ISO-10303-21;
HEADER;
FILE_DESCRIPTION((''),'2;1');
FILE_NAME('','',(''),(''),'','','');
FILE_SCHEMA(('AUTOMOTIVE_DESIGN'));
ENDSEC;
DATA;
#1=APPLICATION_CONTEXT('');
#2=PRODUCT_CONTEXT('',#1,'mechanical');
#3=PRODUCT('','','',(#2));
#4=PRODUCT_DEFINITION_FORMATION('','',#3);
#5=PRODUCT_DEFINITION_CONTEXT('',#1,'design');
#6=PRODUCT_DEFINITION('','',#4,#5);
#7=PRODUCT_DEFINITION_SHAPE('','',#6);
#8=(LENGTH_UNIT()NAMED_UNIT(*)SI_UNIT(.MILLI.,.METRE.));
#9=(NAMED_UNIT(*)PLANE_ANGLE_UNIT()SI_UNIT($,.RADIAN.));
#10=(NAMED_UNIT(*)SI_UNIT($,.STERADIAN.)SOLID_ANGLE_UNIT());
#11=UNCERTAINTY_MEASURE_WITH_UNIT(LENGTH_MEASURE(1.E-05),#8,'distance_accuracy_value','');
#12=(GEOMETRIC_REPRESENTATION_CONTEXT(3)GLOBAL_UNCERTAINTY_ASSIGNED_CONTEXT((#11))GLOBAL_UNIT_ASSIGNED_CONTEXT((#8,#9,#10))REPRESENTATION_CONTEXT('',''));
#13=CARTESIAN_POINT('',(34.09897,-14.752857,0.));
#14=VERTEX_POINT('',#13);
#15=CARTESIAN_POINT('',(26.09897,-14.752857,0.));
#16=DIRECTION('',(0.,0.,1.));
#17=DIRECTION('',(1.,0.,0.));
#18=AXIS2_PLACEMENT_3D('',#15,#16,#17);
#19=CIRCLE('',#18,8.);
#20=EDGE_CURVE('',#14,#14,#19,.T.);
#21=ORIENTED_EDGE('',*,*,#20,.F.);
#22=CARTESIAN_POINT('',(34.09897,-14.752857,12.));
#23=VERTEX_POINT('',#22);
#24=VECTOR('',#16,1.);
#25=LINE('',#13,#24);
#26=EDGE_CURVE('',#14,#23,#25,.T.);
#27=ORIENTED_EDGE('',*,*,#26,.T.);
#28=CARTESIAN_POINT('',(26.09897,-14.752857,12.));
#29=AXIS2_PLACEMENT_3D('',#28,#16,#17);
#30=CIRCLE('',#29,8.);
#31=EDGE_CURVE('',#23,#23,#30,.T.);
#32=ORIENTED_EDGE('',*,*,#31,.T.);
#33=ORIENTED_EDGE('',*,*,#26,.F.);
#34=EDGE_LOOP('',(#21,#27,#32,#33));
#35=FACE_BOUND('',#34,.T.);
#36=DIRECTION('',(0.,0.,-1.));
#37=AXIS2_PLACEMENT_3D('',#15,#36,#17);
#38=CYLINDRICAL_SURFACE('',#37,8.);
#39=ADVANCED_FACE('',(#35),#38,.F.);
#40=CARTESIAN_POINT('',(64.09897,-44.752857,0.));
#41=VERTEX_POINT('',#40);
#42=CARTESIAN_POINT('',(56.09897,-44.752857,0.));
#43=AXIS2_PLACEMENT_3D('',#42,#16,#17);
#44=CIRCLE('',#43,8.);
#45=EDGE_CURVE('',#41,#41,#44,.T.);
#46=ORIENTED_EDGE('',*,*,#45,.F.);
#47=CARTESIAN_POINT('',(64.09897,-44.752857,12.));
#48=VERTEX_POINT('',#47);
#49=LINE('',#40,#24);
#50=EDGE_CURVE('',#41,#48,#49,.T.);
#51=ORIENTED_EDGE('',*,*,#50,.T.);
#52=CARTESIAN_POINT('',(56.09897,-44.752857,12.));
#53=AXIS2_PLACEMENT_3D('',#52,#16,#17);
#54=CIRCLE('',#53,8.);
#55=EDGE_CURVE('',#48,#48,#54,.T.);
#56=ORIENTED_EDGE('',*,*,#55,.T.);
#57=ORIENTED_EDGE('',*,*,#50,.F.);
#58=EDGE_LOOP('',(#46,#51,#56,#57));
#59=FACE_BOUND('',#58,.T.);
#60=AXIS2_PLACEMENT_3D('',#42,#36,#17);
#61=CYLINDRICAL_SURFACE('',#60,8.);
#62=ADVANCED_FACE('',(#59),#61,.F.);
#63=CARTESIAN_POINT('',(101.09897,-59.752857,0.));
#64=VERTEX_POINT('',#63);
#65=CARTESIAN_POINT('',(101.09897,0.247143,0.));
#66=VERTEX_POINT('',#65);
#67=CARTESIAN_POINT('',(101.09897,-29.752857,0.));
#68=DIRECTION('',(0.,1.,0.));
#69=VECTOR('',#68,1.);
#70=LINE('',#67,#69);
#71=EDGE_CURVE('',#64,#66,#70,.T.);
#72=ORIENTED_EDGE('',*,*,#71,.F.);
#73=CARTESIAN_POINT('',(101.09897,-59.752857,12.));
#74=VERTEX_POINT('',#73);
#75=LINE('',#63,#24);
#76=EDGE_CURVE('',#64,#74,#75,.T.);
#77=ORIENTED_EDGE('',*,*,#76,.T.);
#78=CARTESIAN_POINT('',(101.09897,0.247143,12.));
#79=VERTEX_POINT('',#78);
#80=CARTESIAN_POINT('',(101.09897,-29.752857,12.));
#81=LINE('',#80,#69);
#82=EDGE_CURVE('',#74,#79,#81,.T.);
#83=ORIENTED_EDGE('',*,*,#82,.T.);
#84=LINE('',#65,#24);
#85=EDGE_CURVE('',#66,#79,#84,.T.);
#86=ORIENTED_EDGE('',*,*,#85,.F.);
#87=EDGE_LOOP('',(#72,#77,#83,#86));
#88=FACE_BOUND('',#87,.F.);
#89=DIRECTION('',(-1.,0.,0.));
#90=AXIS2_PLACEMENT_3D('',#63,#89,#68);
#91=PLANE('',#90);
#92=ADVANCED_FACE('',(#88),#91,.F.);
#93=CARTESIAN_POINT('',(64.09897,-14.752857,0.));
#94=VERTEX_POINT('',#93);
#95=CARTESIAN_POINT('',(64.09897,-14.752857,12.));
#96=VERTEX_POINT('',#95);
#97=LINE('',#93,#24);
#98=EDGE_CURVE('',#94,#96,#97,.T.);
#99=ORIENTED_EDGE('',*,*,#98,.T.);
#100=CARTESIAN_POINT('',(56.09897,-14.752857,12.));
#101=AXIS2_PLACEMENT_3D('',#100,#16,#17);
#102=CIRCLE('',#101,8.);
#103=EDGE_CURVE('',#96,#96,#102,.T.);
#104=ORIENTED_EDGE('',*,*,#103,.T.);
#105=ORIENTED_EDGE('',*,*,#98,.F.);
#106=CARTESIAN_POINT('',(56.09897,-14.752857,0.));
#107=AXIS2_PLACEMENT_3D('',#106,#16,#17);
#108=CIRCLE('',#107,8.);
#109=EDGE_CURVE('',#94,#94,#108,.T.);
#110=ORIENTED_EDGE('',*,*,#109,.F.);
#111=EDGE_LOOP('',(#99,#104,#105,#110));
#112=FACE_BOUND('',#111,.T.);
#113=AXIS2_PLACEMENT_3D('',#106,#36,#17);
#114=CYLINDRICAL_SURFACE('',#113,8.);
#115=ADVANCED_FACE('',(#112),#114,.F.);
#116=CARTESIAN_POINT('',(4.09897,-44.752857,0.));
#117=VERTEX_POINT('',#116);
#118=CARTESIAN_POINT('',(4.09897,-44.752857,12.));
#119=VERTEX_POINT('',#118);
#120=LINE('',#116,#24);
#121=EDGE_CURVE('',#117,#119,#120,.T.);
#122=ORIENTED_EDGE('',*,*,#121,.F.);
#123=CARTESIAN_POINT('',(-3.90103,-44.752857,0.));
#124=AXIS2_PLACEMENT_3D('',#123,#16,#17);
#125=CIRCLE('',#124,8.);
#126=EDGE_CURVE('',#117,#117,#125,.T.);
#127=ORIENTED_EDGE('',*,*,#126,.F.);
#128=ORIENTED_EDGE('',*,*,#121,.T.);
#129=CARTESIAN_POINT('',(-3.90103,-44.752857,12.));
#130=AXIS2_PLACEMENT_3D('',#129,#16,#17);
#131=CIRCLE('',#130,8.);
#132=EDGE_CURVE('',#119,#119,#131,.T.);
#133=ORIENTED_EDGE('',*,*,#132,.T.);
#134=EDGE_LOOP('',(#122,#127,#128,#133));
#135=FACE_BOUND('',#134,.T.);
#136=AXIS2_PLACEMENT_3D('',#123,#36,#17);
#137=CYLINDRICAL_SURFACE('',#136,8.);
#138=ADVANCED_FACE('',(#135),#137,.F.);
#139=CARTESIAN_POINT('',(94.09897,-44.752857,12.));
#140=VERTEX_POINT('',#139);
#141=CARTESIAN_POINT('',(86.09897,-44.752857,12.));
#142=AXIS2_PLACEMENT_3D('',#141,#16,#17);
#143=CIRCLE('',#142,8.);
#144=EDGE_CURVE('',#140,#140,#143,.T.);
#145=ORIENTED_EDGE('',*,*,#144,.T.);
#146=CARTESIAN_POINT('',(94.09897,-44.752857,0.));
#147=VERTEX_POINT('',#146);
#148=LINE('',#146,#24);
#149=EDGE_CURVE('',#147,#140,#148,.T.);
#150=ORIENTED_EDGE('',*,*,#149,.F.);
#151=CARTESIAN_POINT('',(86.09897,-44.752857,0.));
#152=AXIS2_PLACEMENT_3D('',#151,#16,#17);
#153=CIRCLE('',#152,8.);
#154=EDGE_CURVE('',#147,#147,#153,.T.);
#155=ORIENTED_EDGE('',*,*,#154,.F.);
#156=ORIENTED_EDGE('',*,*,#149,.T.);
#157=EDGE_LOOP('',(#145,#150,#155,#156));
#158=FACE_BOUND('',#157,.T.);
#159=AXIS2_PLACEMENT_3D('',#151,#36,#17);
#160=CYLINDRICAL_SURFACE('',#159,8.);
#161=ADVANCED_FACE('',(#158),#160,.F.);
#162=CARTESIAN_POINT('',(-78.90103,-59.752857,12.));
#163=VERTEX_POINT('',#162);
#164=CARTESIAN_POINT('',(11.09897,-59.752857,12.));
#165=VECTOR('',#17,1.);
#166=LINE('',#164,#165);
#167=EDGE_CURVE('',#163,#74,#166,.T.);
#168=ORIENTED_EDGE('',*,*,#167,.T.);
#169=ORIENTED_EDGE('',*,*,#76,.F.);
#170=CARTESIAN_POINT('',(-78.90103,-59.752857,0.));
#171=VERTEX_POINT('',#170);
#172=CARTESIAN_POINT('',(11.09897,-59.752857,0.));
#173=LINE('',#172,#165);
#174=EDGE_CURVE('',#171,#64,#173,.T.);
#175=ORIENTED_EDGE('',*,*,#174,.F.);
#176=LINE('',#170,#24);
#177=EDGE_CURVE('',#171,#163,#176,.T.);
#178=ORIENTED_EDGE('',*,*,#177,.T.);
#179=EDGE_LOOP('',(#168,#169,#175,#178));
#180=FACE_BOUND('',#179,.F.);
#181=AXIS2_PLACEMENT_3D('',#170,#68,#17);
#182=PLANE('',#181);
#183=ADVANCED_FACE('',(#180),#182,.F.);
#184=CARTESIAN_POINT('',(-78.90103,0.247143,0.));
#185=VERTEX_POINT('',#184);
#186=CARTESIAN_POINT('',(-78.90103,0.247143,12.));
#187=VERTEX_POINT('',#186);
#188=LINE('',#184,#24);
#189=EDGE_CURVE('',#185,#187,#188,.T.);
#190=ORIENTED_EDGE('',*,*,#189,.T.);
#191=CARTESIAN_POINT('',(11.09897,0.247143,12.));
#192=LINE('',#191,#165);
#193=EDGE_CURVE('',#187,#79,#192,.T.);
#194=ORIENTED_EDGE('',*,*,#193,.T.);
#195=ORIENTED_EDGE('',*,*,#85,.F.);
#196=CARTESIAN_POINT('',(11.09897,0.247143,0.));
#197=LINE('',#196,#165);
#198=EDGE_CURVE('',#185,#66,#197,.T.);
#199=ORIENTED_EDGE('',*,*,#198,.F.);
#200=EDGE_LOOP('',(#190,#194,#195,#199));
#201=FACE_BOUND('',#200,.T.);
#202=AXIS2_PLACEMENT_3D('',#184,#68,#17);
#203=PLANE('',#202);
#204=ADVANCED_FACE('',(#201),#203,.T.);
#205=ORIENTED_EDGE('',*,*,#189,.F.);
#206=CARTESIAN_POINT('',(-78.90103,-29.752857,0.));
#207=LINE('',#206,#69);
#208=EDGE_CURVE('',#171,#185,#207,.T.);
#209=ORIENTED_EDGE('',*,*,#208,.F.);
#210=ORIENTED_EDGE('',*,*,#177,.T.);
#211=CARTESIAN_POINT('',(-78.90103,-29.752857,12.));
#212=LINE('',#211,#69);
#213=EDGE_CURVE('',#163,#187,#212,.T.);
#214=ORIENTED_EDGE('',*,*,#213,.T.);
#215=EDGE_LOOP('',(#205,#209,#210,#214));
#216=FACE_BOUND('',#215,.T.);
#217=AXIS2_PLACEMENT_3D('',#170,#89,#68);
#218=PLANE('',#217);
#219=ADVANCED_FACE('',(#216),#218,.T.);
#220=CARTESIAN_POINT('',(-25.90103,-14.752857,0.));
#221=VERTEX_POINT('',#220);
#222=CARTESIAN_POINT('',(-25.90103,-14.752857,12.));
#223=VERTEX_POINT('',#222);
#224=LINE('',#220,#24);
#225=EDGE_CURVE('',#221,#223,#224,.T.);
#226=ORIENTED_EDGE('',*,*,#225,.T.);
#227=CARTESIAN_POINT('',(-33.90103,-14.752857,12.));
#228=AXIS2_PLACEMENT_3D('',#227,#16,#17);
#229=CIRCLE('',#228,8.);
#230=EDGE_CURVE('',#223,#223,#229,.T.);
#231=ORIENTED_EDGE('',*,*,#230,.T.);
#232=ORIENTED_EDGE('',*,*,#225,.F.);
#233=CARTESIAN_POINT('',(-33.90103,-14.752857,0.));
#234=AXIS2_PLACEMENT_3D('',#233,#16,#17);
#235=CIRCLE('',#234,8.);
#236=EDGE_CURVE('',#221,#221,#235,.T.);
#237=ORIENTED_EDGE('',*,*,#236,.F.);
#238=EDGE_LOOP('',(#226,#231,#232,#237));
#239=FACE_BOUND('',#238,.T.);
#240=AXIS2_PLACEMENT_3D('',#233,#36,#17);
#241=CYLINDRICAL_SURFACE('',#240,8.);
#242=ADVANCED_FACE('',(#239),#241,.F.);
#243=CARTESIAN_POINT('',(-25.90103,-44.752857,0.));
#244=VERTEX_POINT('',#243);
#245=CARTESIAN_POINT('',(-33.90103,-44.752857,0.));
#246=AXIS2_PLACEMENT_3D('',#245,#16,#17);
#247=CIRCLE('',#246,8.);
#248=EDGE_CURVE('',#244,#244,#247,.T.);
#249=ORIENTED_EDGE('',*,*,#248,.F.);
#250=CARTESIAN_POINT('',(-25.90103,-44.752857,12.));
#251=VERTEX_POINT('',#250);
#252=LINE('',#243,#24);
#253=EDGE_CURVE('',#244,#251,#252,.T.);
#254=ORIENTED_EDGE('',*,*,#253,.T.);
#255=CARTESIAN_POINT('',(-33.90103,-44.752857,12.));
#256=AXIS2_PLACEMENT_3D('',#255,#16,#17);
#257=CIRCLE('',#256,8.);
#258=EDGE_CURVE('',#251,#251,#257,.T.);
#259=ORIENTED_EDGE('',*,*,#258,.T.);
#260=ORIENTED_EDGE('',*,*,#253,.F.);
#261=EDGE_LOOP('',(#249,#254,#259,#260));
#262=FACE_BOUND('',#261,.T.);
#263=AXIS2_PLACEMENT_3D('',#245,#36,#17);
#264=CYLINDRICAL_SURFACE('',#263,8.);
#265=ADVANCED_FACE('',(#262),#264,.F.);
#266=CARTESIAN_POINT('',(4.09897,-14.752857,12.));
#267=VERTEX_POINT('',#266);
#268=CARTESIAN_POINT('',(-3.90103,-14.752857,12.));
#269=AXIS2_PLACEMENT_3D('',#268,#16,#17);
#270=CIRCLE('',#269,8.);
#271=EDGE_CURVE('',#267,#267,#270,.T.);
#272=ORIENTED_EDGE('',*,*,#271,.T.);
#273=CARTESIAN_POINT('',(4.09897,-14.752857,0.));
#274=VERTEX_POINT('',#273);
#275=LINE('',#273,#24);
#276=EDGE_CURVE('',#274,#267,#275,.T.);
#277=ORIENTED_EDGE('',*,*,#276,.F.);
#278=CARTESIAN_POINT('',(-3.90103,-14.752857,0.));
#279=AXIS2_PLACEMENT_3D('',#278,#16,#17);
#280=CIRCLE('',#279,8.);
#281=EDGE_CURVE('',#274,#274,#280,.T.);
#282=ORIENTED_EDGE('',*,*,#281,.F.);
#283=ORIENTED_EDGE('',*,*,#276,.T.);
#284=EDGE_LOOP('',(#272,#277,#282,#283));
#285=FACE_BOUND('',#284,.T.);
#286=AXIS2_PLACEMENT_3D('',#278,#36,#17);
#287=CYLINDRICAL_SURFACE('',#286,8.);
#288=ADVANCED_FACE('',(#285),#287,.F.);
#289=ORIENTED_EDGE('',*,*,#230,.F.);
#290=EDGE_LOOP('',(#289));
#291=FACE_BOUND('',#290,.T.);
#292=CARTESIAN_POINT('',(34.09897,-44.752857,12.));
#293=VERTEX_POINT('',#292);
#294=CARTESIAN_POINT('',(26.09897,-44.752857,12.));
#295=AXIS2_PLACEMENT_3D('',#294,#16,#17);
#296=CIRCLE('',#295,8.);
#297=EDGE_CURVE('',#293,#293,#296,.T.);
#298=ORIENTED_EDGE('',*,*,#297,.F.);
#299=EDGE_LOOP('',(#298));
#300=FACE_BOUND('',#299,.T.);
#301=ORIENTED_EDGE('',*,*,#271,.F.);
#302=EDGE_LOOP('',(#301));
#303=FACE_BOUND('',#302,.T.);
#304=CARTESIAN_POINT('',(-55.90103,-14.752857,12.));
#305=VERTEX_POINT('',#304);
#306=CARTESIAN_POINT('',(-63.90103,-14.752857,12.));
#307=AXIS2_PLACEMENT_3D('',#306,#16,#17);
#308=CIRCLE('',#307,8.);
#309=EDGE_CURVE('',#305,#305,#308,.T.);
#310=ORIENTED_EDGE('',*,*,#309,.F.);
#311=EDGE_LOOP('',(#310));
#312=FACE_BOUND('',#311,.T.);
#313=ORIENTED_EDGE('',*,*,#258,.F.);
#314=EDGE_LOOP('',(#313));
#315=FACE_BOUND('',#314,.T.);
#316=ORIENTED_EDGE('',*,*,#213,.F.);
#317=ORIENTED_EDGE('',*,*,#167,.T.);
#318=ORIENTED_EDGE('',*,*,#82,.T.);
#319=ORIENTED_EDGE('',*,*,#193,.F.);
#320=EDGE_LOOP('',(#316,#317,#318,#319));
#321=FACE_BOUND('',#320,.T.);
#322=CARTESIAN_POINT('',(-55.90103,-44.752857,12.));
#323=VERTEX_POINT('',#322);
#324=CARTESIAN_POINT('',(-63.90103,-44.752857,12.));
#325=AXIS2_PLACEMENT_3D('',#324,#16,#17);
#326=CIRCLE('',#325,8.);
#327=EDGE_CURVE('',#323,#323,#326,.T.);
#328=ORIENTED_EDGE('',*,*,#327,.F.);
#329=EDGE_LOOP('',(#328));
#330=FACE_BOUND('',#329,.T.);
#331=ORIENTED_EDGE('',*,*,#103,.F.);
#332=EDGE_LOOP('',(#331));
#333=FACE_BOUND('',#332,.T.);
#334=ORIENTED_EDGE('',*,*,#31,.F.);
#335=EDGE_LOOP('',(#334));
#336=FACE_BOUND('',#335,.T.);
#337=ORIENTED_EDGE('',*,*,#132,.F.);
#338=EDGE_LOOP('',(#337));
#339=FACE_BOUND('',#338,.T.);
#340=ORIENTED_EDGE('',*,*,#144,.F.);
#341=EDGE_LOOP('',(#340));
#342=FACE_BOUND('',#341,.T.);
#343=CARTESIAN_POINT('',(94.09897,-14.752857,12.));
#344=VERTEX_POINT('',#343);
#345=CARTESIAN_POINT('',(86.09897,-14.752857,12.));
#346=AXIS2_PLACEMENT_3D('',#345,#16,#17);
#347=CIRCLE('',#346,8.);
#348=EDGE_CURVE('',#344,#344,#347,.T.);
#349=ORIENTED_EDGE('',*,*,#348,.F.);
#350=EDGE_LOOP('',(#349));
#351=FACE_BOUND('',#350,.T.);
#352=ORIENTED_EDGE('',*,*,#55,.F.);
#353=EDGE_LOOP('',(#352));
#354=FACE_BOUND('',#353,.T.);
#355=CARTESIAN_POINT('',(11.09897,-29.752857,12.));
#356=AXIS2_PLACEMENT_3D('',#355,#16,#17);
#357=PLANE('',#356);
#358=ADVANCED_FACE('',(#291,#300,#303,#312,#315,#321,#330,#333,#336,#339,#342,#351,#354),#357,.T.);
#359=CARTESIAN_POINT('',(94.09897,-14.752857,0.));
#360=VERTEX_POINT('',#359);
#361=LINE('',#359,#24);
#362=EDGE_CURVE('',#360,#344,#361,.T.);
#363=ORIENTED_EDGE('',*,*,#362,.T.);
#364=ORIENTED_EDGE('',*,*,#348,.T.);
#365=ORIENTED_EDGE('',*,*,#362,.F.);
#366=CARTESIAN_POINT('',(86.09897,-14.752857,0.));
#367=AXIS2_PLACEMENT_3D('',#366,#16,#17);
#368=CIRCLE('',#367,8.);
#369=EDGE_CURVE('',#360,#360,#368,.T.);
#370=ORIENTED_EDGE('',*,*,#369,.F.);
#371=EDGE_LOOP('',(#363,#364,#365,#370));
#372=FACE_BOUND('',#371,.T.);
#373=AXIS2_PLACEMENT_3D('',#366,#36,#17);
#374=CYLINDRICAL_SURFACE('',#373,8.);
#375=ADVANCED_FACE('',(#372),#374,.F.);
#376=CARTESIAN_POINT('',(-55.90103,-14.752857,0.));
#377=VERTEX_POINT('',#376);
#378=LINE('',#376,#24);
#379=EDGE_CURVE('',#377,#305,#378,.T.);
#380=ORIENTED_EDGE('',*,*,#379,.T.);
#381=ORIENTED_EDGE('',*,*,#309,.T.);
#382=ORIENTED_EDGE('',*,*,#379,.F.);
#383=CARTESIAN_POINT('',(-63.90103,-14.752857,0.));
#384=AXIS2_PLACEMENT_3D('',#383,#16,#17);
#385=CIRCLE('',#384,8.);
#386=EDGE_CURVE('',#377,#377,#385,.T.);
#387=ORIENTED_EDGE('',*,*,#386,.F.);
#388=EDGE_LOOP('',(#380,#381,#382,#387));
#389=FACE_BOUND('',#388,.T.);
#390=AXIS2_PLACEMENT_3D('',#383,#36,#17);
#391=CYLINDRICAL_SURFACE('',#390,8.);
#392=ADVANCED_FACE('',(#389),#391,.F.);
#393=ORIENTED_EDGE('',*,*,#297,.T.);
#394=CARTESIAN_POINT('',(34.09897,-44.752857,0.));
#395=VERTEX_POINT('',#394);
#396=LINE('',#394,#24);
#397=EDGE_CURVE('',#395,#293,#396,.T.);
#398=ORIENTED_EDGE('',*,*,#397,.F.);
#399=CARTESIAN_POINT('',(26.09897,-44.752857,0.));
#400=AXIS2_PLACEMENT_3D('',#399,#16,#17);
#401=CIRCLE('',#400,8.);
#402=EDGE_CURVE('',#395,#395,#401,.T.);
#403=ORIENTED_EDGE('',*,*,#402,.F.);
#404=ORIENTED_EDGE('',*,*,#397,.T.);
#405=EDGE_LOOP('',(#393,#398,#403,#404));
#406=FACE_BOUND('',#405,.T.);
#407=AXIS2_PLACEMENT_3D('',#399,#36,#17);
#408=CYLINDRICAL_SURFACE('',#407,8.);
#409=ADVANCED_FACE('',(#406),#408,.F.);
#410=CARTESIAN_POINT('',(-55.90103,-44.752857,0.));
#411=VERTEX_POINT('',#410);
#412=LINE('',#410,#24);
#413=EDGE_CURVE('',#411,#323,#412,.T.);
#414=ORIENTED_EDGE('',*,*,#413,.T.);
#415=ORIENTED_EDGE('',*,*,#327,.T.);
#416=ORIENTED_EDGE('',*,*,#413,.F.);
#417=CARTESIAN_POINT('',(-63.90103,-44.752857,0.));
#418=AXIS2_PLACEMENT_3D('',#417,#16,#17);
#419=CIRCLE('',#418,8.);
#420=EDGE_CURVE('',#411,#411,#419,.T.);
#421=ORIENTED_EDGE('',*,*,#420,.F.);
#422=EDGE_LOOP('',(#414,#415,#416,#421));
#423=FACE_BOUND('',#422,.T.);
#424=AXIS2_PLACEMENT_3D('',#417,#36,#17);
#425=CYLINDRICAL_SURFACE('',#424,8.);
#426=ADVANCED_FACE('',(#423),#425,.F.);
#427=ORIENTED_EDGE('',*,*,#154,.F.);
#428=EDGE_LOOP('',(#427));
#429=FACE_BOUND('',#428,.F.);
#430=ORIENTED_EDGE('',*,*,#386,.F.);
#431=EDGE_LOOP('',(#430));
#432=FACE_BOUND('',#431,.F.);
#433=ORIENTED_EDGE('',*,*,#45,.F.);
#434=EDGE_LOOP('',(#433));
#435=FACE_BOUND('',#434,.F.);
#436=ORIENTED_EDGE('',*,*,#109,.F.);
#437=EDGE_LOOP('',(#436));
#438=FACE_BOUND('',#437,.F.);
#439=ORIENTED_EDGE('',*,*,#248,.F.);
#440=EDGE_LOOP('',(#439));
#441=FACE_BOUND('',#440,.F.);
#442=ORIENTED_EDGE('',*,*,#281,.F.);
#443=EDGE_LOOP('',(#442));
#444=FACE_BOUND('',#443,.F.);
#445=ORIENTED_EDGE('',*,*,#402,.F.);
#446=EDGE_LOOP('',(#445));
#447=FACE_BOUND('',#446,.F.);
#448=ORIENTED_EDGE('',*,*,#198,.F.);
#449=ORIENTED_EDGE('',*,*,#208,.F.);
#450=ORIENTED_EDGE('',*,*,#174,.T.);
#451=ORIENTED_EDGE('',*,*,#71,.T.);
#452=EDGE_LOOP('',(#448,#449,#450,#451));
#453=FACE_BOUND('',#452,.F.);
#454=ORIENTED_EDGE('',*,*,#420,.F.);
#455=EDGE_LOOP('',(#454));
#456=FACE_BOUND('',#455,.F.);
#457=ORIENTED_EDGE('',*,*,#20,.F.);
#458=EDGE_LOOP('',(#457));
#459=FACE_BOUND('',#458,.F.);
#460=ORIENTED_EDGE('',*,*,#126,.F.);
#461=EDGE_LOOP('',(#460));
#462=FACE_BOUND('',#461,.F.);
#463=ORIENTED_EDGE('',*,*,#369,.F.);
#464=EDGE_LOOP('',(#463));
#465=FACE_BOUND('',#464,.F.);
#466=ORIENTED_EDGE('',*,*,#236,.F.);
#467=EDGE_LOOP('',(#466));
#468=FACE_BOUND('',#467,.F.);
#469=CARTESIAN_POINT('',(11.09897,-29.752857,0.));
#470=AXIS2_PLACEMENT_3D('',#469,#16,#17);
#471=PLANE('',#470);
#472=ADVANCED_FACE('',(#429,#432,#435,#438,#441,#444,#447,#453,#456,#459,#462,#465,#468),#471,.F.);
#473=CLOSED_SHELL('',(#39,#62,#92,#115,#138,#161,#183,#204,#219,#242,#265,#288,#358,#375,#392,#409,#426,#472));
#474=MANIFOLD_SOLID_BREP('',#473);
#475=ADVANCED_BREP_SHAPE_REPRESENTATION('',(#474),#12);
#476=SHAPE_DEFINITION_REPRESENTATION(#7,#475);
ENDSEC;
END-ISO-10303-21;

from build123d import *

# Parameters (mm, degrees)
F0_W     = 180
F0_H     = 60
F0_R     = 8
F1_DEPTH = 12


with BuildPart() as f1:
    # F0 (on Top) → F1 (new body)
    with BuildSketch(Plane.XY):
        with Locations((11.09897, -29.752857)):
            Rectangle(F0_W, F0_H)
        with Locations((-63.90103, -44.752857)):
            Circle(F0_R, mode=Mode.SUBTRACT)
        with Locations((-33.90103, -44.752857)):
            Circle(F0_R, mode=Mode.SUBTRACT)
        with Locations((-3.90103, -44.752857)):
            Circle(F0_R, mode=Mode.SUBTRACT)
        with Locations((26.09897, -44.752857)):
            Circle(F0_R, mode=Mode.SUBTRACT)
        with Locations((56.09897, -44.752857)):
            Circle(F0_R, mode=Mode.SUBTRACT)
        with Locations((86.09897, -44.752857)):
            Circle(F0_R, mode=Mode.SUBTRACT)
        with Locations((-63.90103, -14.752857)):
            Circle(F0_R, mode=Mode.SUBTRACT)
        with Locations((-33.90103, -14.752857)):
            Circle(F0_R, mode=Mode.SUBTRACT)
        with Locations((-3.90103, -14.752857)):
            Circle(F0_R, mode=Mode.SUBTRACT)
        with Locations((26.09897, -14.752857)):
            Circle(F0_R, mode=Mode.SUBTRACT)
        with Locations((56.09897, -14.752857)):
            Circle(F0_R, mode=Mode.SUBTRACT)
        with Locations((86.09897, -14.752857)):
            Circle(F0_R, mode=Mode.SUBTRACT)
    extrude(amount=F1_DEPTH)


solid = f1.part
